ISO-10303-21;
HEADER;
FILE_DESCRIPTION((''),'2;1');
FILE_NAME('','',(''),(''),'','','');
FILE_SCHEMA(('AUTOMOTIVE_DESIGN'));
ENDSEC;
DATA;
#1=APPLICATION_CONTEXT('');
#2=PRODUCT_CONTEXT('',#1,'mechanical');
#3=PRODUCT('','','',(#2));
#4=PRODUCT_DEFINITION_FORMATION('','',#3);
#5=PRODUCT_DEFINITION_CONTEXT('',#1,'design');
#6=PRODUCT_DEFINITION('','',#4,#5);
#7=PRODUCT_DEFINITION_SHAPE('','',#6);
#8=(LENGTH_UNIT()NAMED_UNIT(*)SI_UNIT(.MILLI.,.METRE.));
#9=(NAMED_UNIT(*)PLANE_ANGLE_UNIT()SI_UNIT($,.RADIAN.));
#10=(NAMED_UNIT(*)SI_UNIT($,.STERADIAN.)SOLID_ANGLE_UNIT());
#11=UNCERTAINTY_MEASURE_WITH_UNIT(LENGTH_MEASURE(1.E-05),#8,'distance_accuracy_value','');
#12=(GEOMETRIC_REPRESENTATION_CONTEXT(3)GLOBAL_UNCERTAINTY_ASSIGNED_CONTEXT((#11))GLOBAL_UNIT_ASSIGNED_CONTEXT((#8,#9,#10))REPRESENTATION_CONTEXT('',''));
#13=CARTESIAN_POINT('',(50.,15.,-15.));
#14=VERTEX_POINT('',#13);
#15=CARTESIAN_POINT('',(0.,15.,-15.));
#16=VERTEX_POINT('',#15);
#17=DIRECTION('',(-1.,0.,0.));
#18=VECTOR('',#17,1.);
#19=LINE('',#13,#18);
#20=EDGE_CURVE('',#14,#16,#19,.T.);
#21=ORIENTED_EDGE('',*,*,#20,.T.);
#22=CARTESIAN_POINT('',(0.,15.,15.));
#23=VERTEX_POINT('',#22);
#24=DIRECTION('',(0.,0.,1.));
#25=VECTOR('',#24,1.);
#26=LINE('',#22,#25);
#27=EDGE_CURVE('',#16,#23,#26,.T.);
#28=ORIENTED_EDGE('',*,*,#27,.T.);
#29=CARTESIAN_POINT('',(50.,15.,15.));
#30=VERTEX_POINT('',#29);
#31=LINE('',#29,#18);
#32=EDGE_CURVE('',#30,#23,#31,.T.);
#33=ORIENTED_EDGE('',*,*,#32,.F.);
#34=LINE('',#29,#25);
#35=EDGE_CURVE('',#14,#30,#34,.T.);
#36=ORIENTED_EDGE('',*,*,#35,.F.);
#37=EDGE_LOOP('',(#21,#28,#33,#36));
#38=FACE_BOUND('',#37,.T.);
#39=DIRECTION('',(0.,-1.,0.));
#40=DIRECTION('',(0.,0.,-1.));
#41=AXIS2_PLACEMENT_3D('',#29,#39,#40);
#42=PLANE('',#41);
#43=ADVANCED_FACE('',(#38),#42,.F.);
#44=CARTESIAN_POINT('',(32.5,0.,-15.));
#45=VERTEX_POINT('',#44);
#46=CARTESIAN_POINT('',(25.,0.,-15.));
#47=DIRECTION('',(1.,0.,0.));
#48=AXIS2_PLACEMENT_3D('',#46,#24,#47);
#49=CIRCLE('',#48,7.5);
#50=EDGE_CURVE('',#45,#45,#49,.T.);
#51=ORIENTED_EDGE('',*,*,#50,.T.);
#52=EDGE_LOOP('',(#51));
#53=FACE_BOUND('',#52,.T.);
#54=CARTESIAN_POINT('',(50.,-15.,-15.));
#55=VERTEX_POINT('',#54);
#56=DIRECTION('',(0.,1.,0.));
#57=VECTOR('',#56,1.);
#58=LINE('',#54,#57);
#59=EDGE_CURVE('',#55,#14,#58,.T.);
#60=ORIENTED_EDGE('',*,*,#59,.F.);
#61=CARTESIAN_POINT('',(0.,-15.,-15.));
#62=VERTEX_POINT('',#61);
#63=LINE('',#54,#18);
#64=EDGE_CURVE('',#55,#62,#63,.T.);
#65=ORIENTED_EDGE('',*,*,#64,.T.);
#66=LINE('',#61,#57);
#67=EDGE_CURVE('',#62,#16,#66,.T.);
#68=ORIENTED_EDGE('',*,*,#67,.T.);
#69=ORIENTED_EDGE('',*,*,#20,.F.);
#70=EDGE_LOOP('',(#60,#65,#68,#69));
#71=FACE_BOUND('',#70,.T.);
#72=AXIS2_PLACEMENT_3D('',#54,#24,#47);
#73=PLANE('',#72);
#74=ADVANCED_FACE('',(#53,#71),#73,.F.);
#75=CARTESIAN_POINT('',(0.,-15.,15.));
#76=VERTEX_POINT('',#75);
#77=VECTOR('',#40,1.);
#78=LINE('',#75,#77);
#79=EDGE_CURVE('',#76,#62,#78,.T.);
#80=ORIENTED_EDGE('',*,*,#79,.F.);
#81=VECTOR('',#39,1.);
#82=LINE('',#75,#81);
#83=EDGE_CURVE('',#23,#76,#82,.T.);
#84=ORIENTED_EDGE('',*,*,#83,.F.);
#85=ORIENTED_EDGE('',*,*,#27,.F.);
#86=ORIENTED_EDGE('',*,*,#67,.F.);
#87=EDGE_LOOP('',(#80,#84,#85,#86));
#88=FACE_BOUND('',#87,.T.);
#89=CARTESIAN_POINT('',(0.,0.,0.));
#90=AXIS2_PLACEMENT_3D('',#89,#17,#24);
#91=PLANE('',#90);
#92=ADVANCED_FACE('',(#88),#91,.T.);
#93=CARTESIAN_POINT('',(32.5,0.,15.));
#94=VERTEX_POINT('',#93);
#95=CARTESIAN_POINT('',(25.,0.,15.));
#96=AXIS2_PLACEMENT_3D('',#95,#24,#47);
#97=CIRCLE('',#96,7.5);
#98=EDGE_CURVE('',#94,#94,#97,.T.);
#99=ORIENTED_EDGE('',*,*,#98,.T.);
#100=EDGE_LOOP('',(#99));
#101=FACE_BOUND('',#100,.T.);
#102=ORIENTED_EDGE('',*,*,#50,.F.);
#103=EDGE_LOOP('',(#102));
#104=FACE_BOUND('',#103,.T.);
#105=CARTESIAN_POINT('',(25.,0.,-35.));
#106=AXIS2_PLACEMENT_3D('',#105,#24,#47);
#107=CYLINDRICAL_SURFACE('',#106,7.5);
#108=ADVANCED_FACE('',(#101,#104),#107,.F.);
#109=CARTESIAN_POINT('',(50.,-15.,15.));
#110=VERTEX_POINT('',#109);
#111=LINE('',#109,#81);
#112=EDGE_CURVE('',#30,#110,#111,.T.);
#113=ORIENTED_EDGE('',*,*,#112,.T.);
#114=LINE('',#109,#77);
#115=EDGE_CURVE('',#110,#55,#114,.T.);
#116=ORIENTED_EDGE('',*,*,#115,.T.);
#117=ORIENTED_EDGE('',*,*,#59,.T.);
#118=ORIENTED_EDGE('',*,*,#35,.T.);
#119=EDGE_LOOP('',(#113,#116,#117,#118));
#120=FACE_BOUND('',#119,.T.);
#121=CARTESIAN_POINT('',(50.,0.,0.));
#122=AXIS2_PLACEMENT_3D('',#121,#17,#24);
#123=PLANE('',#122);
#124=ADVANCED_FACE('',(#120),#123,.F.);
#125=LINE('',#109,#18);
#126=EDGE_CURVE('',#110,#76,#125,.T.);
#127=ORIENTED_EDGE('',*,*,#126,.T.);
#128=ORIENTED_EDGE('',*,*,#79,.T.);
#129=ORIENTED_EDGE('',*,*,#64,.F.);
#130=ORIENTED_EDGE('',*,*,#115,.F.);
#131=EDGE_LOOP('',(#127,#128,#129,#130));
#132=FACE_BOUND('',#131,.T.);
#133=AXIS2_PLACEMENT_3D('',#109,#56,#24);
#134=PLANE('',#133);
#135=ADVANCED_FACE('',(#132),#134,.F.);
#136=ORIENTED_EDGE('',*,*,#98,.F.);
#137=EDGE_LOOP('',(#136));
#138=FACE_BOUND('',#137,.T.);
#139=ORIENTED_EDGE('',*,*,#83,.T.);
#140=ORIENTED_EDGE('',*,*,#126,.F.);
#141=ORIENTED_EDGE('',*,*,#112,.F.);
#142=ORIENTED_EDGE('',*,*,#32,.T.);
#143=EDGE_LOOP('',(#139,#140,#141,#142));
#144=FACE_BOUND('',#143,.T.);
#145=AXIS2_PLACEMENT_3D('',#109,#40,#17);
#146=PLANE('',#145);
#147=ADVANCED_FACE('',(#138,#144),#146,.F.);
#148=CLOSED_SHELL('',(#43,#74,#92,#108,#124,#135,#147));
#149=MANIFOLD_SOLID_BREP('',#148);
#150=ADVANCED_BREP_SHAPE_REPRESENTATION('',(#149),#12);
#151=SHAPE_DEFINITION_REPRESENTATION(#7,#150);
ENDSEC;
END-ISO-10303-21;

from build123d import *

# Parameters (mm, degrees)
SKETCH1_W           = 30
SKETCH1_H           = 30
BOSS_EXTRUDE1_DEPTH = 50
SKETCH2_R           = 7.5
CUT_EXTRUDE1_DEPTH  = 50


with BuildPart() as part:
    # Sketch1 → Boss-Extrude1 (new body)
    with BuildSketch(Plane(origin=(0, 0, 0), x_dir=(0, 0, -1), z_dir=(1, 0, 0))):
        Rectangle(SKETCH1_W, SKETCH1_H)
    extrude(amount=BOSS_EXTRUDE1_DEPTH)

    # Sketch2 → Cut-Extrude1 (cut)
    with BuildSketch(Plane.XY.offset(15)):
        with Locations((25, 0)):
            Circle(SKETCH2_R)
    extrude(amount=-CUT_EXTRUDE1_DEPTH, mode=Mode.SUBTRACT)


solid = part.part
